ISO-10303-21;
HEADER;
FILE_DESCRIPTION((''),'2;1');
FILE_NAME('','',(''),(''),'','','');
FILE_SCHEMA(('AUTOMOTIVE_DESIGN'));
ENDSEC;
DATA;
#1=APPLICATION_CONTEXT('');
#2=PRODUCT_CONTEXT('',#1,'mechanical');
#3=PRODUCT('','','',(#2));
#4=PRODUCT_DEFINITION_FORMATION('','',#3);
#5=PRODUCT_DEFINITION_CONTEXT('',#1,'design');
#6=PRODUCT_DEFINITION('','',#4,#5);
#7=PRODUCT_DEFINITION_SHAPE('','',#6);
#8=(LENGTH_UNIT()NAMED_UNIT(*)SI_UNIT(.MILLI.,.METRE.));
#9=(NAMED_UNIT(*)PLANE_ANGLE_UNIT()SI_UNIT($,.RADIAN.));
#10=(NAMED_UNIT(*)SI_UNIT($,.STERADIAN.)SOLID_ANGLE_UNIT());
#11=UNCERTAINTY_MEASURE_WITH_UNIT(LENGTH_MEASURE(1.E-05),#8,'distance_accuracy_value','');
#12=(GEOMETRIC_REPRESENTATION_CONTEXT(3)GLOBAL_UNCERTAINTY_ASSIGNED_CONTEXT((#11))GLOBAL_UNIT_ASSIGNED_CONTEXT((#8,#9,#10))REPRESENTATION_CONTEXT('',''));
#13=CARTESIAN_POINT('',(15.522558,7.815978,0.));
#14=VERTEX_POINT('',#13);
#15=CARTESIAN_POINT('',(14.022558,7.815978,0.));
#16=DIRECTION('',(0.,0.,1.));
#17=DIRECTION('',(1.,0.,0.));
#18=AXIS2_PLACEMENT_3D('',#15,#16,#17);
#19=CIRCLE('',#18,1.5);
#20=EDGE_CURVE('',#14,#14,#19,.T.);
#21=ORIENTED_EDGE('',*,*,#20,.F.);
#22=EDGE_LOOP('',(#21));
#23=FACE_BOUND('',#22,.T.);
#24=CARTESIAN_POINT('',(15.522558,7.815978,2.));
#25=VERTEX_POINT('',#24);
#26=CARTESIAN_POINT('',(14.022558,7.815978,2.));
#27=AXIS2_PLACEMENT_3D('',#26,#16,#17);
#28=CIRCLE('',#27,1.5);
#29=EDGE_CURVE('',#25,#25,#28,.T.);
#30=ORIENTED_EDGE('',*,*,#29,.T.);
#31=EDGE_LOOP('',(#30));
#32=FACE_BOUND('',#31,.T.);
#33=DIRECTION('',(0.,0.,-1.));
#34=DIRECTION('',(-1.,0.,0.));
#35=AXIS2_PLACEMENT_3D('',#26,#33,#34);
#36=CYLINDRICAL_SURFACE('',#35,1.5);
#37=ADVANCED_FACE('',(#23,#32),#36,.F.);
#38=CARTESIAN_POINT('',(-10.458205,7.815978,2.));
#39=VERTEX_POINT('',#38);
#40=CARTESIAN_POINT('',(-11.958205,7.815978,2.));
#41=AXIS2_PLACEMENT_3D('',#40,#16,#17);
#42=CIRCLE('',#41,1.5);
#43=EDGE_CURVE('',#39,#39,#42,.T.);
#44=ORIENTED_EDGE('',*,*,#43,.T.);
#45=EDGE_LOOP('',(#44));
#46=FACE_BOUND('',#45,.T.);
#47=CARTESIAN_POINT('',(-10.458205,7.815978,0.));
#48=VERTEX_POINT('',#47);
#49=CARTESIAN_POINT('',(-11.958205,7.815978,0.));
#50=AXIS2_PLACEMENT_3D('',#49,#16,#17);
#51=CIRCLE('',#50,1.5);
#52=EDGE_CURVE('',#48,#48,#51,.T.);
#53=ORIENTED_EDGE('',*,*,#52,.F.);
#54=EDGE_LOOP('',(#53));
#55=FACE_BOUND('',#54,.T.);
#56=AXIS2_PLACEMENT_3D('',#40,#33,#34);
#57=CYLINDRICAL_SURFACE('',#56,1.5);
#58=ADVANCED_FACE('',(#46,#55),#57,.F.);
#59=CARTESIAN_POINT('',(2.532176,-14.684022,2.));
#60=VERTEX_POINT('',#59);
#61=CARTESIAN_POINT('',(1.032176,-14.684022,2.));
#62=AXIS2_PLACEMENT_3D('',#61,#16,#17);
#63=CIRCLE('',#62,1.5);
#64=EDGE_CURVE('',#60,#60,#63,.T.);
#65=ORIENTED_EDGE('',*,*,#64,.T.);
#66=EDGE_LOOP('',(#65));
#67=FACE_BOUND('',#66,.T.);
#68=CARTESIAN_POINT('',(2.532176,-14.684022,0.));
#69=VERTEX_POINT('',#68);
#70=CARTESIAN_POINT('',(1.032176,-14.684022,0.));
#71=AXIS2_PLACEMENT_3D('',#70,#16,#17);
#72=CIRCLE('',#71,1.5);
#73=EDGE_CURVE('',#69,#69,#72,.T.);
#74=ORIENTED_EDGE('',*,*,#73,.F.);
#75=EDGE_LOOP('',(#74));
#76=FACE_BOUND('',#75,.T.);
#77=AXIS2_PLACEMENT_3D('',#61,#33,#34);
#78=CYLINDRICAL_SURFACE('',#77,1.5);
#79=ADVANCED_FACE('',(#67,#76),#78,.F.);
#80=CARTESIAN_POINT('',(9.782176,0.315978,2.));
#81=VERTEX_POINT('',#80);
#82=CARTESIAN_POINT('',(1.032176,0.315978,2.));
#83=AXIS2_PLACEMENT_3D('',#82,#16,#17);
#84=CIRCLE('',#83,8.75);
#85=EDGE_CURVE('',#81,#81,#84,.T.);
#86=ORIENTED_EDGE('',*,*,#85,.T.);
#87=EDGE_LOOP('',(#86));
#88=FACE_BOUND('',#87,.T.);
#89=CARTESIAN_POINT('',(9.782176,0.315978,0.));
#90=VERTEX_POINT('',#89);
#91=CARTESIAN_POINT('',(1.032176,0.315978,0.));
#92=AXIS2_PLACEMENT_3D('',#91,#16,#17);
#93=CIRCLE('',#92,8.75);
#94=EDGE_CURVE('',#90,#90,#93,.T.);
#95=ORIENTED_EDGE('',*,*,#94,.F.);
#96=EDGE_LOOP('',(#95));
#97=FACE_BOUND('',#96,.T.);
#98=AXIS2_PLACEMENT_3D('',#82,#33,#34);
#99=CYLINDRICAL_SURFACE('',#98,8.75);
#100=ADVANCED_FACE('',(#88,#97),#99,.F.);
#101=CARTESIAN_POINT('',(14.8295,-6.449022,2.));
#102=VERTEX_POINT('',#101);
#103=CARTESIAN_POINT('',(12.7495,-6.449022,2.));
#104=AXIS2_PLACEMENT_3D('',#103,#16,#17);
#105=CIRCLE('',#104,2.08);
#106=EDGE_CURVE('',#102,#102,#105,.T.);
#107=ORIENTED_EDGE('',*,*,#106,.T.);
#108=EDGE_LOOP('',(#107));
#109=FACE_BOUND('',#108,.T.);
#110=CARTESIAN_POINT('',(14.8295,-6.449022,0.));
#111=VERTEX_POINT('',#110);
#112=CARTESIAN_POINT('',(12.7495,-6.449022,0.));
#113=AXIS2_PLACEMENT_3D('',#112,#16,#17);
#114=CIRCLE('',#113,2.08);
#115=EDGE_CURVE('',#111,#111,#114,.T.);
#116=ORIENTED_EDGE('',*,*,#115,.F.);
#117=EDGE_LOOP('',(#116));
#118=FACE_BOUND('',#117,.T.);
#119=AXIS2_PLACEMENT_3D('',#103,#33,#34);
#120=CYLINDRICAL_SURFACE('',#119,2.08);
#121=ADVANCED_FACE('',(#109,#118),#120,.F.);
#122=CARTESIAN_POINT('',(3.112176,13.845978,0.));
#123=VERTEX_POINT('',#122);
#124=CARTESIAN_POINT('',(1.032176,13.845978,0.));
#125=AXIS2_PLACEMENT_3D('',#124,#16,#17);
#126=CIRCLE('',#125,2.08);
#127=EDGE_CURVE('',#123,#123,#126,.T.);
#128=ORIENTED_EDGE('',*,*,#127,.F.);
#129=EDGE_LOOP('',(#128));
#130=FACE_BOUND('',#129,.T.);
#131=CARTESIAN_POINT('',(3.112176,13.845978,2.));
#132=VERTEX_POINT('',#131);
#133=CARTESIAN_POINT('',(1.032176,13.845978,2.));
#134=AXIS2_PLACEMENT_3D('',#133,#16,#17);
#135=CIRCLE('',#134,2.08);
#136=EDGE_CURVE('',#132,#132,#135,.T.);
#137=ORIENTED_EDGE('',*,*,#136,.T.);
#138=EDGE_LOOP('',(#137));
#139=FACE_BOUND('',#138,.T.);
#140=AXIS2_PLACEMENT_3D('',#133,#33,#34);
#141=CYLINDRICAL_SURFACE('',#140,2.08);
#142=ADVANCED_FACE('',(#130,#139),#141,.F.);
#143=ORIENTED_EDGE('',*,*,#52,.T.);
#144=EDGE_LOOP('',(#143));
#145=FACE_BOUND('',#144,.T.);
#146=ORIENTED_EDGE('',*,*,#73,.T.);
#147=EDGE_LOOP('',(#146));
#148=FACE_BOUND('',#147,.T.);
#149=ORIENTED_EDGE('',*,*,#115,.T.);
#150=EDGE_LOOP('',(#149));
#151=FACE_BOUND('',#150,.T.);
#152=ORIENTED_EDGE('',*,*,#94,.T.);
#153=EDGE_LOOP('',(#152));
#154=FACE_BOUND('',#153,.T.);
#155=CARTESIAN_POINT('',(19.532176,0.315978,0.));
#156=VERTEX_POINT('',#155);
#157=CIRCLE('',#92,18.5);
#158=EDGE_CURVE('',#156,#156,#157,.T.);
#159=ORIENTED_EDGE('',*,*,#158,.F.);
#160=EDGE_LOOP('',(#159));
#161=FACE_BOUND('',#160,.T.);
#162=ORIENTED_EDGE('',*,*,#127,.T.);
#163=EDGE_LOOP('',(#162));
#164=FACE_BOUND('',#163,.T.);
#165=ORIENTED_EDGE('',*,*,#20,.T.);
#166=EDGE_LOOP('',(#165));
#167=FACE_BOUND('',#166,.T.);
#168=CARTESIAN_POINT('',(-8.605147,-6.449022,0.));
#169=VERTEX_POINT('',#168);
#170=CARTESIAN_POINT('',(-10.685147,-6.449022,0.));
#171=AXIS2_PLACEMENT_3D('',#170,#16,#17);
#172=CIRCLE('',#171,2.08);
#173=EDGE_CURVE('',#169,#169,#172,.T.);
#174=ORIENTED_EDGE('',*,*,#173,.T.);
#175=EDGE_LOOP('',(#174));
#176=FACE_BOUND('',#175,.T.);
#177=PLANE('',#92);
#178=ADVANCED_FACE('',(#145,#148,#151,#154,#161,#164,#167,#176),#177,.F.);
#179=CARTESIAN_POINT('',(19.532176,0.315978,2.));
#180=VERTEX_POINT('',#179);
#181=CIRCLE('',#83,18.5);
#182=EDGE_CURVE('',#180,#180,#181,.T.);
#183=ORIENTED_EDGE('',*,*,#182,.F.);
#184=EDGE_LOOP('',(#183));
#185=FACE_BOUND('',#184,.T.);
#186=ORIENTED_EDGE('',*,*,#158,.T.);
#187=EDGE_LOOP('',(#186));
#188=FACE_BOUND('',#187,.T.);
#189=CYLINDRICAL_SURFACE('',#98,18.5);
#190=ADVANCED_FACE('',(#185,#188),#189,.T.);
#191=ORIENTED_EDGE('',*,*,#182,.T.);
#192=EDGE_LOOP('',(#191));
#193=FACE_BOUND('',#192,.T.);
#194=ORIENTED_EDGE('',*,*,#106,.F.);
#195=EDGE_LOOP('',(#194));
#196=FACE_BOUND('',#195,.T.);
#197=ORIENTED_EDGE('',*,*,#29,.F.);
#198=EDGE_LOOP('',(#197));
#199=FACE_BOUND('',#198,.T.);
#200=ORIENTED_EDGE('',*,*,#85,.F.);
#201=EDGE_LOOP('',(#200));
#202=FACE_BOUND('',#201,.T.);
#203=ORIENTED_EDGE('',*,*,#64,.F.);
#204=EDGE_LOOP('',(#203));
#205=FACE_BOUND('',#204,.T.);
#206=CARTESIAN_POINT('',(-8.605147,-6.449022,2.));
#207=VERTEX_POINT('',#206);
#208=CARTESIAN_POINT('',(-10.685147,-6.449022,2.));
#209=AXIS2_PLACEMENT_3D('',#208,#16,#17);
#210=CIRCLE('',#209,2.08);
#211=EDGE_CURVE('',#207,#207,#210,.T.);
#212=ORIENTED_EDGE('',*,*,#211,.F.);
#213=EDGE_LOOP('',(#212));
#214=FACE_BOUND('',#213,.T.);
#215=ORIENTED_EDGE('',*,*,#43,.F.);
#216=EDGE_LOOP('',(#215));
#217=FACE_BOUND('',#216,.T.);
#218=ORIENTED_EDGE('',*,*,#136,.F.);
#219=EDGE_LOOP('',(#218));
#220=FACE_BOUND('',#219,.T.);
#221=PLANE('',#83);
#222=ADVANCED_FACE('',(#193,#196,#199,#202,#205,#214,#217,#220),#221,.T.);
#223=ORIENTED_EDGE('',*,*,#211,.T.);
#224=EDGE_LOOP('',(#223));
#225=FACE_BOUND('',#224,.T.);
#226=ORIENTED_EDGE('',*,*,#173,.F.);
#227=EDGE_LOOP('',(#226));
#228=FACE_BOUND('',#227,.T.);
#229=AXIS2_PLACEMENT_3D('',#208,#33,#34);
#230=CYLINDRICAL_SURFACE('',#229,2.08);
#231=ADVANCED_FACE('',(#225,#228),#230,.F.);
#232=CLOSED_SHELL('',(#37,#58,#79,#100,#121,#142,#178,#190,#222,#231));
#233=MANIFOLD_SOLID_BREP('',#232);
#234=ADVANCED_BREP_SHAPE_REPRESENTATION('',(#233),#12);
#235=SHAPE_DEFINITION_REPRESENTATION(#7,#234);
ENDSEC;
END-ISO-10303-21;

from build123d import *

# Parameters (mm, degrees)
SKETCH_1_R      = 18.5
SKETCH_1_R_2    = 2.08
SKETCH_1_R_3    = 8.75
SKETCH_1_R_4    = 1.5
EXTRUDE_1_DEPTH = 2


with BuildPart() as part:
    # 草图1 → 凸台-拉伸1 (new body)
    with BuildSketch(Plane.XY):
        with Locations((1.032176457, 0.315977943)):
            Circle(SKETCH_1_R)
        with Locations((1.032176457, 13.845977943)):
            Circle(SKETCH_1_R_2, mode=Mode.SUBTRACT)
        with Locations((12.74950017, -6.449022057)):
            Circle(SKETCH_1_R_2, mode=Mode.SUBTRACT)
        with Locations((-10.685147257, -6.449022057)):
            Circle(SKETCH_1_R_2, mode=Mode.SUBTRACT)
        with Locations((1.032176457, 0.315977943)):
            Circle(SKETCH_1_R_3, mode=Mode.SUBTRACT)
        with Locations((-11.9582046, 7.815977943)):
            Circle(SKETCH_1_R_4, mode=Mode.SUBTRACT)
        with Locations((14.022557513, 7.815977943)):
            Circle(SKETCH_1_R_4, mode=Mode.SUBTRACT)
        with Locations((1.032176457, -14.684022057)):
            Circle(SKETCH_1_R_4, mode=Mode.SUBTRACT)
    extrude(amount=EXTRUDE_1_DEPTH)


solid = part.part
